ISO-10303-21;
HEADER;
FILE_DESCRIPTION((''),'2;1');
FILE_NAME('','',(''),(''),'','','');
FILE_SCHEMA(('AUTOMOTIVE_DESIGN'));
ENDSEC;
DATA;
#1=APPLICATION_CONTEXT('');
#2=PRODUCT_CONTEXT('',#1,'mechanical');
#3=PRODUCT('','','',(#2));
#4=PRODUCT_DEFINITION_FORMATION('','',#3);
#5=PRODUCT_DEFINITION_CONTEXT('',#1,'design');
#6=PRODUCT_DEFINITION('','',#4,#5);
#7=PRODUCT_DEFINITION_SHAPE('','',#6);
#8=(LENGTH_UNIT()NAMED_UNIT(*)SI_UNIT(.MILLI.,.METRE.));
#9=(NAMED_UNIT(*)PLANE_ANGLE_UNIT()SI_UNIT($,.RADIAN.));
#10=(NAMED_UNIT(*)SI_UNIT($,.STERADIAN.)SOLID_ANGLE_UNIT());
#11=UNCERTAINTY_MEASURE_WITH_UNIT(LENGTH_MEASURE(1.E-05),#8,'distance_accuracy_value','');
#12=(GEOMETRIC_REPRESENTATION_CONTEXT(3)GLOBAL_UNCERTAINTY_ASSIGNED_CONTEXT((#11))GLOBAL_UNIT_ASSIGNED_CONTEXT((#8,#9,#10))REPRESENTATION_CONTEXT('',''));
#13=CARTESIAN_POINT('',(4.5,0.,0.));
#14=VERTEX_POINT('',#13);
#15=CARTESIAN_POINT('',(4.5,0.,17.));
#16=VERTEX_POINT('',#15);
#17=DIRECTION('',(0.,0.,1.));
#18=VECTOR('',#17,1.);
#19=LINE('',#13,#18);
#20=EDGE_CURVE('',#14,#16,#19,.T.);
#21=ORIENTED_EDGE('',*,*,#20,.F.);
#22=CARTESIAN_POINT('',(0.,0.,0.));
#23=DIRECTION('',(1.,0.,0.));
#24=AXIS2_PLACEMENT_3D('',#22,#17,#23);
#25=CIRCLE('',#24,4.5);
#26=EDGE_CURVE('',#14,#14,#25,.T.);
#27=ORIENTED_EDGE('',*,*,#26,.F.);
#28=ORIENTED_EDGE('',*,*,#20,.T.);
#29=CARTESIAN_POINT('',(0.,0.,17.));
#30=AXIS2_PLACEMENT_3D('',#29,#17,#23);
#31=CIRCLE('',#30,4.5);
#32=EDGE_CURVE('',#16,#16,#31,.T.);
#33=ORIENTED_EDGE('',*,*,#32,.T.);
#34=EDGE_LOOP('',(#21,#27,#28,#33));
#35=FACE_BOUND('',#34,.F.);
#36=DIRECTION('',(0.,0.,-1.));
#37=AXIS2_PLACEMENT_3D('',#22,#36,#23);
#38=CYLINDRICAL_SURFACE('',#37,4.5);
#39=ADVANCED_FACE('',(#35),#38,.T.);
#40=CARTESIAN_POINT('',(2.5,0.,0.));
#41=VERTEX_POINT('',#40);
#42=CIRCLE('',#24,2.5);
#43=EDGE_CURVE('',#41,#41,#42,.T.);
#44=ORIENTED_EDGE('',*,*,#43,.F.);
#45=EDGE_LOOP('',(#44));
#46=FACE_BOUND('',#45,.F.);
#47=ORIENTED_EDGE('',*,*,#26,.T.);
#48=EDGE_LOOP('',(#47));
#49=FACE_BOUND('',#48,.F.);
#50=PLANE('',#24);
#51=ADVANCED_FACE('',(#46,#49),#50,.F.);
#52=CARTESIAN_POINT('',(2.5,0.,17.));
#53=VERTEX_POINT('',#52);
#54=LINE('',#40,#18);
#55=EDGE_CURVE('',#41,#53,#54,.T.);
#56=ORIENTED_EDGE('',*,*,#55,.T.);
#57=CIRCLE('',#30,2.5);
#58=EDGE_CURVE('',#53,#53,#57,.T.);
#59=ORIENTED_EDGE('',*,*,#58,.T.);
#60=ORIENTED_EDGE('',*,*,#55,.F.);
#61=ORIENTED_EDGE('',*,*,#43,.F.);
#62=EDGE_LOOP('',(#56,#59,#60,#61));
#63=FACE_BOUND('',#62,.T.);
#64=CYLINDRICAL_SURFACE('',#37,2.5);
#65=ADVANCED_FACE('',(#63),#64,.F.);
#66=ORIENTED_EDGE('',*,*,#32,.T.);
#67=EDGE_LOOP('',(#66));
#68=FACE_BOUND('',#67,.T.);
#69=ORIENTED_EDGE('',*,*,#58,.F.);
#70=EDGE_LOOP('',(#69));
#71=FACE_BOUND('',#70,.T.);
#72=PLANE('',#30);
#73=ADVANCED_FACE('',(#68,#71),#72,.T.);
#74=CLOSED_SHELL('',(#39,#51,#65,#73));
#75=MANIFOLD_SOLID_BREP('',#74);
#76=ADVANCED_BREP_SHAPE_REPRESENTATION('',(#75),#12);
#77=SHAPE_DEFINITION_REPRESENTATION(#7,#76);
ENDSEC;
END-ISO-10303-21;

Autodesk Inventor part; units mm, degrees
ref_plane "YZ Plane" through (0, 0, 0) normal (1, 0, 0) x (0, 1, 0)
ref_plane "XZ Plane" through (0, 0, 0) normal (0, 1, 0) x (-1, 0, 0)
ref_plane "XY Plane" through (0, 0, 0) normal (0, 0, 1) x (1, 0, 0)
sketch "Szkic1" plane through (0, 0, 0) normal (0, 0, 1) x (1, 0, 0)
  circle A0 centre (0, 0) radius 2.5
  circle A1 centre (0, 0) radius 4.5
  dimension "d0" = 5
  dimension "d1" = 9
extrude "Wyciągnięcie proste1" add sketch "Szkic1" along normal blind 17
properties part number "tuleja_M5_M9_17"
